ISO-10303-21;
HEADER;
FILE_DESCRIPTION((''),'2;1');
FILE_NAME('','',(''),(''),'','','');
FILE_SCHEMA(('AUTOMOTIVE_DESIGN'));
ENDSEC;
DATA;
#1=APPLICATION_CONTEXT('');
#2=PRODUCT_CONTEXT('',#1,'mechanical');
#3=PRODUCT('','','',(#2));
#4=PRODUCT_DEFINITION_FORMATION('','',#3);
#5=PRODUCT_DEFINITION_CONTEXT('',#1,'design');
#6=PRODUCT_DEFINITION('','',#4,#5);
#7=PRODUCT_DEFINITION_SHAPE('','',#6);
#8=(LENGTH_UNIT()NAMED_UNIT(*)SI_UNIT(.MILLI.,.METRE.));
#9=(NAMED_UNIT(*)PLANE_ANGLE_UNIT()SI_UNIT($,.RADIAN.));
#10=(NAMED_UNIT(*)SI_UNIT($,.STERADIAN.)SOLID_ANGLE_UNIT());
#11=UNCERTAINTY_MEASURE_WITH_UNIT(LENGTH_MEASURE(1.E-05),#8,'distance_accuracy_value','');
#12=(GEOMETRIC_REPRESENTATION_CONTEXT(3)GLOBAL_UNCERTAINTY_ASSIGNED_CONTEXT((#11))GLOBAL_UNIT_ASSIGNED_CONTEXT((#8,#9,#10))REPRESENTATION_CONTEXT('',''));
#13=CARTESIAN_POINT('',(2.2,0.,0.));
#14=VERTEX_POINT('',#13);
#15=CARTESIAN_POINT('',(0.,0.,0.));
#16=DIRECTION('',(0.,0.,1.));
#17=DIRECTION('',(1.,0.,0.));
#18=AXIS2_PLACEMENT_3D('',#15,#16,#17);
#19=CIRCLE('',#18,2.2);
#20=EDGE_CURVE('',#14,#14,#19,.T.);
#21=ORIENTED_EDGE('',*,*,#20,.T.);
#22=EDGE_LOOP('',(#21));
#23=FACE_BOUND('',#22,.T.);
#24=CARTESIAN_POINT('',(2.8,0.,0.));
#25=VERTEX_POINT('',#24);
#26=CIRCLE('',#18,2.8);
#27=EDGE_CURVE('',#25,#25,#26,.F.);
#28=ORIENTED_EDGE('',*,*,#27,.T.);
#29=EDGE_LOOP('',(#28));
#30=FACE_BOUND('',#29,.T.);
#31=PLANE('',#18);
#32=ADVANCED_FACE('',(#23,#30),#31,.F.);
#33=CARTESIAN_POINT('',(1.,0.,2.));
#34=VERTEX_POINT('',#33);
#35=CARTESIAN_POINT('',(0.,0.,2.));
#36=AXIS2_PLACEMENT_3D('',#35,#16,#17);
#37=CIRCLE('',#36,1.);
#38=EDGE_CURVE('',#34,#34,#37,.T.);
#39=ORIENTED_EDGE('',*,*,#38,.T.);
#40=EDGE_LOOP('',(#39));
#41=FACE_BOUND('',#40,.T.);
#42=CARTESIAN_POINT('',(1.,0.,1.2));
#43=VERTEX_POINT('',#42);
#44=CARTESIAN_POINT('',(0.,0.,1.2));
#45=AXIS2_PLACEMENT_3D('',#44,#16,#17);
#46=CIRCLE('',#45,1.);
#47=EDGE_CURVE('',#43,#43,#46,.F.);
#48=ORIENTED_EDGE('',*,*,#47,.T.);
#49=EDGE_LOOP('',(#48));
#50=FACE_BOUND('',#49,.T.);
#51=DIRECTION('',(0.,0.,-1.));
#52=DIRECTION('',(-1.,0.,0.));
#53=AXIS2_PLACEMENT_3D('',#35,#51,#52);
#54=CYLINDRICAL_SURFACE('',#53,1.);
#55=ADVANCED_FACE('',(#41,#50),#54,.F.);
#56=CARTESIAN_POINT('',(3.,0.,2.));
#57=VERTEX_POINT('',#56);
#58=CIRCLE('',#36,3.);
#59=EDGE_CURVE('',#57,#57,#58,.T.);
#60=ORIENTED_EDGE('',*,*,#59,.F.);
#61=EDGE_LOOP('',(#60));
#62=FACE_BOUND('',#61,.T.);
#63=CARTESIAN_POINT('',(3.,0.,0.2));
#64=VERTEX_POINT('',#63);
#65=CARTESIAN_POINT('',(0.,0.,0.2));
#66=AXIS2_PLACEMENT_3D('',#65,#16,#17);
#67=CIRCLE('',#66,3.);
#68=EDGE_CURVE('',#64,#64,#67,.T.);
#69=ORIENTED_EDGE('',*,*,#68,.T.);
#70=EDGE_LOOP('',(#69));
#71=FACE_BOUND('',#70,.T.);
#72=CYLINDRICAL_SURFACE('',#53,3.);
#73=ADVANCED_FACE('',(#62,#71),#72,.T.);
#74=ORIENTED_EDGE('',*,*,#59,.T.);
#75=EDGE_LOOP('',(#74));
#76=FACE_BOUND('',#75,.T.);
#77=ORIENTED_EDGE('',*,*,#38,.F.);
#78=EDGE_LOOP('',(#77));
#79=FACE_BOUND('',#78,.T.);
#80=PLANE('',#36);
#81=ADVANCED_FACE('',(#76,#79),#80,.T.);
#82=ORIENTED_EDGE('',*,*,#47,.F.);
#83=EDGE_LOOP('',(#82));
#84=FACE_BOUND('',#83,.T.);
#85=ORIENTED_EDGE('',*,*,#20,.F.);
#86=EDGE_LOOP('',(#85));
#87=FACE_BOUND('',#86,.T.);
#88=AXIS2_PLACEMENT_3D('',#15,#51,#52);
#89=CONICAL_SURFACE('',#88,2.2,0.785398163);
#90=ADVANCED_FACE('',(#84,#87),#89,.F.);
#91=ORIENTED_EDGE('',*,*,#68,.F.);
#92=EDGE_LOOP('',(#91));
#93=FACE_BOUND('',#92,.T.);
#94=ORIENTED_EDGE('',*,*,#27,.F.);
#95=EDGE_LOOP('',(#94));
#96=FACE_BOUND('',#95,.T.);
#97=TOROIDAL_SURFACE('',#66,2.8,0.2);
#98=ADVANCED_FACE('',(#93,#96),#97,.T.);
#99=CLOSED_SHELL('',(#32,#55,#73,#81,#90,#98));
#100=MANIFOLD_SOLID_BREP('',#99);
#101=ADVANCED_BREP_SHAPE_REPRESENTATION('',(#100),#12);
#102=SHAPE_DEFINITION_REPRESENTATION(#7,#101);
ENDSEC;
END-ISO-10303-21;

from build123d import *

# Parameters (mm, degrees)
SKETCH_1_R      = 3
SKETCH_1_R_2    = 1
EXTRUDE_1_DEPTH = 2
CHAMFER_1_SIZE  = 1.2
FILLET_1_R      = 0.2


with BuildPart() as part:
    # 草图1 → 凸台-拉伸1 (new body)
    with BuildSketch(Plane.XY):
        Circle(SKETCH_1_R)
        Circle(SKETCH_1_R_2, mode=Mode.SUBTRACT)
    extrude(amount=EXTRUDE_1_DEPTH)

    # 倒角1
    chamfer_1_edges = [part.edges().sort_by_distance(p)[0] for p in [
        (-1, 0, 0),
    ]]
    chamfer(chamfer_1_edges, length=CHAMFER_1_SIZE)

    # 圆角1
    fillet_1_edges = [part.edges().sort_by_distance(p)[0] for p in [
        (-3, 0, 0),
    ]]
    fillet(fillet_1_edges, radius=FILLET_1_R)


solid = part.part
